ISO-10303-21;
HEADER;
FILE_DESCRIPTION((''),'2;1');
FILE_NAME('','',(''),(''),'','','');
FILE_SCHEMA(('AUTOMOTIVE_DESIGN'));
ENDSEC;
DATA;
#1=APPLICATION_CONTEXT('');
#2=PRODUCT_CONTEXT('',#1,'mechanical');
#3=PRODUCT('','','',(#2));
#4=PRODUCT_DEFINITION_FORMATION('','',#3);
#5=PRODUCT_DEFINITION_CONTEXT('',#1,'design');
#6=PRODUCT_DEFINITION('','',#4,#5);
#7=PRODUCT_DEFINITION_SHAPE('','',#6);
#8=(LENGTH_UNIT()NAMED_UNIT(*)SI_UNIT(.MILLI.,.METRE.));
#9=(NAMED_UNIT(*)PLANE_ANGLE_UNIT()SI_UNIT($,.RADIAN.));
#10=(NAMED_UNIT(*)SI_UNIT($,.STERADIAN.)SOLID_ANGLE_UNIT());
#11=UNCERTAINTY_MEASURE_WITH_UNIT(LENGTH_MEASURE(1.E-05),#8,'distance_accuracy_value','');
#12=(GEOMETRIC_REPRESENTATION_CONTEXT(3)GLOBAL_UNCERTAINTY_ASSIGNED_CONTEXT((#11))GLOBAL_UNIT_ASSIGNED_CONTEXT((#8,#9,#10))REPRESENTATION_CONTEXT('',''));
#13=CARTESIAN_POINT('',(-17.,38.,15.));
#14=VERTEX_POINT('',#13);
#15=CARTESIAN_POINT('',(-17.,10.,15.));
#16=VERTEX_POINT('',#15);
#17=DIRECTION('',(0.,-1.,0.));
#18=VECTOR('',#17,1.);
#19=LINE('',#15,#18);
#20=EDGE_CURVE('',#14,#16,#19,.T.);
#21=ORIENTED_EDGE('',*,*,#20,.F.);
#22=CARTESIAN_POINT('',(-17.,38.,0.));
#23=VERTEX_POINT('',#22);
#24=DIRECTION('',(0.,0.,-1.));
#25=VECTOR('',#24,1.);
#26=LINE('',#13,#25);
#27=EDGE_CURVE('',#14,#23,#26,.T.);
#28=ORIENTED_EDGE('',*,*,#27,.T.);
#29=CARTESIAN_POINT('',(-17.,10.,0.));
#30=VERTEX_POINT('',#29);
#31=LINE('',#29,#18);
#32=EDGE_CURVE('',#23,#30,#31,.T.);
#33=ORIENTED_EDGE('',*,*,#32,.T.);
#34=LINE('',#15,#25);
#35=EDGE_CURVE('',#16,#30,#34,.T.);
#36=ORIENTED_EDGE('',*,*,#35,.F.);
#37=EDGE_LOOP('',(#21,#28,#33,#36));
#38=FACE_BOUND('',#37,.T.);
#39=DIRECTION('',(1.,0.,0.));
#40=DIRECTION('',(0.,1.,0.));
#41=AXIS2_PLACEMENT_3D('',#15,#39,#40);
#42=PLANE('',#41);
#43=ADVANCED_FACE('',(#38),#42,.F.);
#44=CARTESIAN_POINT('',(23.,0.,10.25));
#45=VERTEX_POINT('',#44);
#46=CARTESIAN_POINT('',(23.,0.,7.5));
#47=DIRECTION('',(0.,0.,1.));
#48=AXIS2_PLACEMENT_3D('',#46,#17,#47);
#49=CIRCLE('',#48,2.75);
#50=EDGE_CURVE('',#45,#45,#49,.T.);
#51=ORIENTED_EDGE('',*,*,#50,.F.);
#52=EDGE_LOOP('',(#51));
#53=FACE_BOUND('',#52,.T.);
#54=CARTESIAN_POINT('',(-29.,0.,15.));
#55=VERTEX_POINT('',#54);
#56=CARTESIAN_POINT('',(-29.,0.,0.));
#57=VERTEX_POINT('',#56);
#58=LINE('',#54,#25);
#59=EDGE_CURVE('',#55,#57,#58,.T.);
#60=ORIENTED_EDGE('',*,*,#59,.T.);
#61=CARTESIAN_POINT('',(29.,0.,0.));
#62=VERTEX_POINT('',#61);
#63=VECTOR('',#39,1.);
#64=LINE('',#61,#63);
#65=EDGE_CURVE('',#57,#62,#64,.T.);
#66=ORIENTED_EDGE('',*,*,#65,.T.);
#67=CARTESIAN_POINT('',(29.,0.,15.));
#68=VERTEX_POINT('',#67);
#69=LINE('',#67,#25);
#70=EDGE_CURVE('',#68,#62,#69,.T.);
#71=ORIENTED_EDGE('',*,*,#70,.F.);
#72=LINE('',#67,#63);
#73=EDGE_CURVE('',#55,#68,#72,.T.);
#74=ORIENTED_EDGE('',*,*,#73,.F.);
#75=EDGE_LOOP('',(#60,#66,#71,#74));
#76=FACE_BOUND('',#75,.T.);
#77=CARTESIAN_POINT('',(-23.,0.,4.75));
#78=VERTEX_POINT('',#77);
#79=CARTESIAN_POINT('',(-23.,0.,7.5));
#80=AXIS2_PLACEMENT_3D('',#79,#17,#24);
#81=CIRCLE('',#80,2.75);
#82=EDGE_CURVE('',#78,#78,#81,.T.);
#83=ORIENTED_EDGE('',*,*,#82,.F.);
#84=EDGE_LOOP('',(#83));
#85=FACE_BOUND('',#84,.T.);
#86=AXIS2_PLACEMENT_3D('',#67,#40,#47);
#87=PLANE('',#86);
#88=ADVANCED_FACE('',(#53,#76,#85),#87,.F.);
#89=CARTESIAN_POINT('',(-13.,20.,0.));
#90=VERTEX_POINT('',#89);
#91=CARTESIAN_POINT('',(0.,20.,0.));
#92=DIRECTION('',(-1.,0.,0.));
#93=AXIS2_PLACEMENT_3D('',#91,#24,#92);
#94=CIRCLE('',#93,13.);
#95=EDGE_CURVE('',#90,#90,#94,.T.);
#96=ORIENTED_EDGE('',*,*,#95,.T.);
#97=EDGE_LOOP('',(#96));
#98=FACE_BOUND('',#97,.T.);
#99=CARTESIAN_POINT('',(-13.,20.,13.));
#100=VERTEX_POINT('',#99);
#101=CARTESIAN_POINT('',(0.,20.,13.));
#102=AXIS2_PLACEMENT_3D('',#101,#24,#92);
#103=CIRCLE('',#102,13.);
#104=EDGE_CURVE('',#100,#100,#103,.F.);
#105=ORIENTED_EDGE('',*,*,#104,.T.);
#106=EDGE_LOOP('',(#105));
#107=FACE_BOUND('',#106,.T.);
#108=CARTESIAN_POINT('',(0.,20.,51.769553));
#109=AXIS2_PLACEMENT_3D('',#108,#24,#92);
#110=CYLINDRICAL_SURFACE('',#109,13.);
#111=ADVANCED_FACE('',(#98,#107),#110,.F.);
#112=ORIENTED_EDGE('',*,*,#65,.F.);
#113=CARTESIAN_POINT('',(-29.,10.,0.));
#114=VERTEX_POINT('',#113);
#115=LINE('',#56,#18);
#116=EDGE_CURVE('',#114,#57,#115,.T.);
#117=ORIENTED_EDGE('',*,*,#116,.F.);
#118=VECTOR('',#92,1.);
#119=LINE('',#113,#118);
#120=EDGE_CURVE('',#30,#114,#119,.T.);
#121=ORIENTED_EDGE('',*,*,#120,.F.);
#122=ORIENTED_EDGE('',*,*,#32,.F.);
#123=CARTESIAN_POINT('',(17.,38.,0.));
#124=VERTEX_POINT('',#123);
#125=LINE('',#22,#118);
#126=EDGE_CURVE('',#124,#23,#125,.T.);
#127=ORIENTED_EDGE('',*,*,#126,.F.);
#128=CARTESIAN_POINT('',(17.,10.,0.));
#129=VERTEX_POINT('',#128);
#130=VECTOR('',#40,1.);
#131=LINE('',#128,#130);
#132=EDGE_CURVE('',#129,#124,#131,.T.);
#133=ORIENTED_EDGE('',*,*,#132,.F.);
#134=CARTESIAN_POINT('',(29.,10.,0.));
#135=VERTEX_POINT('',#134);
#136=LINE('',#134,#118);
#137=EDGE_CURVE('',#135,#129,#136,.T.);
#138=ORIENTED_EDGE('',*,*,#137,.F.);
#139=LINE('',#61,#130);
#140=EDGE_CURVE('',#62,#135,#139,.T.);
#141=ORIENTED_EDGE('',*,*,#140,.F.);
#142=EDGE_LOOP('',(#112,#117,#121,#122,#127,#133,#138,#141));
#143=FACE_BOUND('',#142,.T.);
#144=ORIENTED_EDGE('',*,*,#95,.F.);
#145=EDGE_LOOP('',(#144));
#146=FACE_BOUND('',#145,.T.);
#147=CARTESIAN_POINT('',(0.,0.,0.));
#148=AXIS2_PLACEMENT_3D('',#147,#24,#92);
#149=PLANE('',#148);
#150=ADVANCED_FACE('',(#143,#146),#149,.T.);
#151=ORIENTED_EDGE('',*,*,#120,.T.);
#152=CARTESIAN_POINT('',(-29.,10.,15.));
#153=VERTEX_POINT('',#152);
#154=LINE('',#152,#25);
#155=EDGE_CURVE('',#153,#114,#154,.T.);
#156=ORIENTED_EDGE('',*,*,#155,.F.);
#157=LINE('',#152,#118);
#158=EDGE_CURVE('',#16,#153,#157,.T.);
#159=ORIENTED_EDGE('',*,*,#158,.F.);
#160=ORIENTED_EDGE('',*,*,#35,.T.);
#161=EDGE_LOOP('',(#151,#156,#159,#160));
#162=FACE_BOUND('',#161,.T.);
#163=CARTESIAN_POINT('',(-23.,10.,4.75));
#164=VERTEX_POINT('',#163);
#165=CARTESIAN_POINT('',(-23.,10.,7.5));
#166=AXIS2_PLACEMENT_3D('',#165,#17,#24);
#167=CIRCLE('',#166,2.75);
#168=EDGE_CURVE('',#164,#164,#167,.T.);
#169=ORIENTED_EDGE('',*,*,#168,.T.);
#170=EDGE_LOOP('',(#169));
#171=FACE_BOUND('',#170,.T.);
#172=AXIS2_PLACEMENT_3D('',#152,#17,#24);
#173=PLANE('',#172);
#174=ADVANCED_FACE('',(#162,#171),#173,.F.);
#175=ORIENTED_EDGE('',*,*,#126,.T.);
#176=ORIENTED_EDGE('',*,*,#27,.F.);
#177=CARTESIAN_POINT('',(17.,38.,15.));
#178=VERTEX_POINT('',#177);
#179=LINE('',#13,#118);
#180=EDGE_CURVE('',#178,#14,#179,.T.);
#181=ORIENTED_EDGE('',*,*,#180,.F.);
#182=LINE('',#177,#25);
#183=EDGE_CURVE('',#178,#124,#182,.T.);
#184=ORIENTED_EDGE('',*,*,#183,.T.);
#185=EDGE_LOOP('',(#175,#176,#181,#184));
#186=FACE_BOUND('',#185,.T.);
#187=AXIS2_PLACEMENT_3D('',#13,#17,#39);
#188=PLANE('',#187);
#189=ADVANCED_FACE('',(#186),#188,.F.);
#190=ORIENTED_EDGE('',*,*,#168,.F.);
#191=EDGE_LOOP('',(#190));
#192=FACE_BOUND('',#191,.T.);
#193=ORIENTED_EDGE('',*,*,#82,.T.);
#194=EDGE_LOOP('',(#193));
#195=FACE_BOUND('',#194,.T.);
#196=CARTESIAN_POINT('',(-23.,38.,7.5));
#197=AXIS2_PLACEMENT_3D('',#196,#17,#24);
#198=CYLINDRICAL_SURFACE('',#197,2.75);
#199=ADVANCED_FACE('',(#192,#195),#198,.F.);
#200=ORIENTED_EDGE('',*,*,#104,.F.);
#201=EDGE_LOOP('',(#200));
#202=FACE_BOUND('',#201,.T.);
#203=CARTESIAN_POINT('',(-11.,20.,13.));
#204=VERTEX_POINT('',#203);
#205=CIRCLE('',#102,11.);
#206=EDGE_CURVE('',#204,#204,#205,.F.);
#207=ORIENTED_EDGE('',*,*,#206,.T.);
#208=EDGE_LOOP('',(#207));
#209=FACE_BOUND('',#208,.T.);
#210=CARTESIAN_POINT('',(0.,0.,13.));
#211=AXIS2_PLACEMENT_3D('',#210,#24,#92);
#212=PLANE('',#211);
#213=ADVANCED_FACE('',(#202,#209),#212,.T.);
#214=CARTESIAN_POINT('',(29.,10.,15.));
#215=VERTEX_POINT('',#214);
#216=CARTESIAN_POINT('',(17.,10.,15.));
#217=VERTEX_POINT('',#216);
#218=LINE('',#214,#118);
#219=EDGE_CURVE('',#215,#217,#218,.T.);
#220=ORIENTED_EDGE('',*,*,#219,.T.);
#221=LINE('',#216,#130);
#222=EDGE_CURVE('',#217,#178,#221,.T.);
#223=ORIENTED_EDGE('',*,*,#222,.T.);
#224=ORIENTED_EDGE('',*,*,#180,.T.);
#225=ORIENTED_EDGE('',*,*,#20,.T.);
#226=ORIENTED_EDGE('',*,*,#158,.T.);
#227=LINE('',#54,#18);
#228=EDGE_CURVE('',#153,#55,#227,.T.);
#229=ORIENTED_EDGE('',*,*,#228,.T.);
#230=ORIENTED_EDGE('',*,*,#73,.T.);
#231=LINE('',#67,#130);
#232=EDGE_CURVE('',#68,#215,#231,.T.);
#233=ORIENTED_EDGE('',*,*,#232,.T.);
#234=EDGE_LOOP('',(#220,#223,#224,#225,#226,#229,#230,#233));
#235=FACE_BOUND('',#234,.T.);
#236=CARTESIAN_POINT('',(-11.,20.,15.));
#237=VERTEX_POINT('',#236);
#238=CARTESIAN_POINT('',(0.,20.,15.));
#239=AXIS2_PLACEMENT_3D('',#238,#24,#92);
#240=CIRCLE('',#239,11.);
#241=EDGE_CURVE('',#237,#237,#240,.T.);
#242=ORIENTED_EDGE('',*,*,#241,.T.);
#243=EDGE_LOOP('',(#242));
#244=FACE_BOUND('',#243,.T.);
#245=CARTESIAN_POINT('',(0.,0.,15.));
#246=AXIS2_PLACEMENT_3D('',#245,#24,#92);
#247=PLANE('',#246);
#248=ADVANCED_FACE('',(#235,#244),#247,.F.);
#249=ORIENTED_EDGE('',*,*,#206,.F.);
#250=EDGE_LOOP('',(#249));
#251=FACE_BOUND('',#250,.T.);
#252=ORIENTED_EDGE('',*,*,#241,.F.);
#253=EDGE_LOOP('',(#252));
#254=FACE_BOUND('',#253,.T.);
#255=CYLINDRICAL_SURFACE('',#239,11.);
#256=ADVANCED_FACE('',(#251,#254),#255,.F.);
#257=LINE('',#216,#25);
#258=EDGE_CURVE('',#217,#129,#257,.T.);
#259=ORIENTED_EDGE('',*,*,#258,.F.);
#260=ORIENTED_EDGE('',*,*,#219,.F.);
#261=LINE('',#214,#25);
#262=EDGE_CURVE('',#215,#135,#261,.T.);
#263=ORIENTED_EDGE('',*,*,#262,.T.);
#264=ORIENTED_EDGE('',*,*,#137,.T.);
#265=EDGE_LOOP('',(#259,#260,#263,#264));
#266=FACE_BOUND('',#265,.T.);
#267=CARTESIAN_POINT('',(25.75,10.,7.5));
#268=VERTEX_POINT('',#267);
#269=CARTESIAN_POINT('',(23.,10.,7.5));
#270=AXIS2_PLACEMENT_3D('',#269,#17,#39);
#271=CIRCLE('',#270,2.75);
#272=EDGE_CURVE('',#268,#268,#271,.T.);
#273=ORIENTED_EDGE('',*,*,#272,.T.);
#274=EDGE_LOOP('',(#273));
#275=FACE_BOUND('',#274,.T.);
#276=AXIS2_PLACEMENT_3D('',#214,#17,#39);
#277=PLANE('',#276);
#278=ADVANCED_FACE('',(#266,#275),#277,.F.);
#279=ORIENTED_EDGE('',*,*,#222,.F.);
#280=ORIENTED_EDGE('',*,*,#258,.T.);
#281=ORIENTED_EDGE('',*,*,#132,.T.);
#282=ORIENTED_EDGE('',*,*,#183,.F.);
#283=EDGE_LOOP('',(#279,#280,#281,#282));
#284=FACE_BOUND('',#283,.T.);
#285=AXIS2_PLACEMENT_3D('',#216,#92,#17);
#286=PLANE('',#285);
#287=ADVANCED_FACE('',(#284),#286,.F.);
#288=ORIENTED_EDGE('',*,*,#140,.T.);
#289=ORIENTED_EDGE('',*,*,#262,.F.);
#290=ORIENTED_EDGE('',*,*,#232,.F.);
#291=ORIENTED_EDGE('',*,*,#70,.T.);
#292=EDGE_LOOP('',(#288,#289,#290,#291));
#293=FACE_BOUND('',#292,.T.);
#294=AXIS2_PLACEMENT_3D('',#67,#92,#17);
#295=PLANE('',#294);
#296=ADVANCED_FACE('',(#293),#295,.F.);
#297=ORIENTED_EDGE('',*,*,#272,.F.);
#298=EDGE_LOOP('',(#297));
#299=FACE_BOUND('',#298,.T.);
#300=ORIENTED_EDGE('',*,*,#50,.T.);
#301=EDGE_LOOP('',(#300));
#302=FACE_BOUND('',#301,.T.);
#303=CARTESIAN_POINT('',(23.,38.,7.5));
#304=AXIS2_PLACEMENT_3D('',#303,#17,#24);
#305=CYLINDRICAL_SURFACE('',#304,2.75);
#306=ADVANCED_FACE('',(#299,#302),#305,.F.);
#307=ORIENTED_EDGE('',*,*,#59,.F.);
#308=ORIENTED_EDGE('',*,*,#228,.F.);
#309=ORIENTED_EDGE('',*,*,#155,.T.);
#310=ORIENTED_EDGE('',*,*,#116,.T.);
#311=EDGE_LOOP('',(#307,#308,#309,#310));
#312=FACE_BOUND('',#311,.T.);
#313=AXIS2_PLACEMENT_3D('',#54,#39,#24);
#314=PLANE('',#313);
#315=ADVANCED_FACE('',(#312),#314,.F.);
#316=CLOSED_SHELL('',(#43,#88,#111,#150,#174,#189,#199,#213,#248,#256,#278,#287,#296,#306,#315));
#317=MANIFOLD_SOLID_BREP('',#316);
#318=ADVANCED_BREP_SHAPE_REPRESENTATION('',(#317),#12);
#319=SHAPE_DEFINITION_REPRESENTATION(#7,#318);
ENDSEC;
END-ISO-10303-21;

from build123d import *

# Parameters (mm, degrees)
EXTRUDE_1_DEPTH     = 15
SKETCH_2_R          = 11
CUT_EXTRUDE_1_DEPTH = 51.0999002
SKETCH_3_R          = 13
CUT_EXTRUDE_2_DEPTH = 13
SKETCH_4_R          = 2.75
CUT_EXTRUDE_3_DEPTH = 51.0999002


with BuildPart() as part:
    # 草图1 → 凸台-拉伸1 (new body)
    with BuildSketch(Plane.XY):
        Polygon((29, 0), (-29, 0), (-29, 10), (-17, 10), (-17, 38), (17, 38), (17, 10), (29, 10), align=None)
    extrude(amount=EXTRUDE_1_DEPTH)

    # 草图2 → 切除-拉伸1 (cut, through all)
    with BuildSketch(Plane(origin=(0, 0, 0), x_dir=(-1, 0, 0), z_dir=(0, 0, -1))):
        with Locations((0, 20)):
            Circle(SKETCH_2_R)
    extrude(amount=-CUT_EXTRUDE_1_DEPTH, mode=Mode.SUBTRACT)

    # 草图3 → 切除-拉伸2 (cut)
    with BuildSketch(Plane(origin=(0, 0, 0), x_dir=(-1, 0, 0), z_dir=(0, 0, -1))):
        with Locations((0, 20)):
            Circle(SKETCH_3_R)
    extrude(amount=-CUT_EXTRUDE_2_DEPTH, mode=Mode.SUBTRACT)

    # 草图4 → 切除-拉伸3 (cut, through all)
    with BuildSketch(Plane.XZ):
        with Locations(Location((-23, 7.5, 0), (0, 0, 270))):
            Circle(SKETCH_4_R)
        with Locations((23, 7.5)):
            Circle(SKETCH_4_R)
    extrude(amount=-CUT_EXTRUDE_3_DEPTH, mode=Mode.SUBTRACT)


solid = part.part
